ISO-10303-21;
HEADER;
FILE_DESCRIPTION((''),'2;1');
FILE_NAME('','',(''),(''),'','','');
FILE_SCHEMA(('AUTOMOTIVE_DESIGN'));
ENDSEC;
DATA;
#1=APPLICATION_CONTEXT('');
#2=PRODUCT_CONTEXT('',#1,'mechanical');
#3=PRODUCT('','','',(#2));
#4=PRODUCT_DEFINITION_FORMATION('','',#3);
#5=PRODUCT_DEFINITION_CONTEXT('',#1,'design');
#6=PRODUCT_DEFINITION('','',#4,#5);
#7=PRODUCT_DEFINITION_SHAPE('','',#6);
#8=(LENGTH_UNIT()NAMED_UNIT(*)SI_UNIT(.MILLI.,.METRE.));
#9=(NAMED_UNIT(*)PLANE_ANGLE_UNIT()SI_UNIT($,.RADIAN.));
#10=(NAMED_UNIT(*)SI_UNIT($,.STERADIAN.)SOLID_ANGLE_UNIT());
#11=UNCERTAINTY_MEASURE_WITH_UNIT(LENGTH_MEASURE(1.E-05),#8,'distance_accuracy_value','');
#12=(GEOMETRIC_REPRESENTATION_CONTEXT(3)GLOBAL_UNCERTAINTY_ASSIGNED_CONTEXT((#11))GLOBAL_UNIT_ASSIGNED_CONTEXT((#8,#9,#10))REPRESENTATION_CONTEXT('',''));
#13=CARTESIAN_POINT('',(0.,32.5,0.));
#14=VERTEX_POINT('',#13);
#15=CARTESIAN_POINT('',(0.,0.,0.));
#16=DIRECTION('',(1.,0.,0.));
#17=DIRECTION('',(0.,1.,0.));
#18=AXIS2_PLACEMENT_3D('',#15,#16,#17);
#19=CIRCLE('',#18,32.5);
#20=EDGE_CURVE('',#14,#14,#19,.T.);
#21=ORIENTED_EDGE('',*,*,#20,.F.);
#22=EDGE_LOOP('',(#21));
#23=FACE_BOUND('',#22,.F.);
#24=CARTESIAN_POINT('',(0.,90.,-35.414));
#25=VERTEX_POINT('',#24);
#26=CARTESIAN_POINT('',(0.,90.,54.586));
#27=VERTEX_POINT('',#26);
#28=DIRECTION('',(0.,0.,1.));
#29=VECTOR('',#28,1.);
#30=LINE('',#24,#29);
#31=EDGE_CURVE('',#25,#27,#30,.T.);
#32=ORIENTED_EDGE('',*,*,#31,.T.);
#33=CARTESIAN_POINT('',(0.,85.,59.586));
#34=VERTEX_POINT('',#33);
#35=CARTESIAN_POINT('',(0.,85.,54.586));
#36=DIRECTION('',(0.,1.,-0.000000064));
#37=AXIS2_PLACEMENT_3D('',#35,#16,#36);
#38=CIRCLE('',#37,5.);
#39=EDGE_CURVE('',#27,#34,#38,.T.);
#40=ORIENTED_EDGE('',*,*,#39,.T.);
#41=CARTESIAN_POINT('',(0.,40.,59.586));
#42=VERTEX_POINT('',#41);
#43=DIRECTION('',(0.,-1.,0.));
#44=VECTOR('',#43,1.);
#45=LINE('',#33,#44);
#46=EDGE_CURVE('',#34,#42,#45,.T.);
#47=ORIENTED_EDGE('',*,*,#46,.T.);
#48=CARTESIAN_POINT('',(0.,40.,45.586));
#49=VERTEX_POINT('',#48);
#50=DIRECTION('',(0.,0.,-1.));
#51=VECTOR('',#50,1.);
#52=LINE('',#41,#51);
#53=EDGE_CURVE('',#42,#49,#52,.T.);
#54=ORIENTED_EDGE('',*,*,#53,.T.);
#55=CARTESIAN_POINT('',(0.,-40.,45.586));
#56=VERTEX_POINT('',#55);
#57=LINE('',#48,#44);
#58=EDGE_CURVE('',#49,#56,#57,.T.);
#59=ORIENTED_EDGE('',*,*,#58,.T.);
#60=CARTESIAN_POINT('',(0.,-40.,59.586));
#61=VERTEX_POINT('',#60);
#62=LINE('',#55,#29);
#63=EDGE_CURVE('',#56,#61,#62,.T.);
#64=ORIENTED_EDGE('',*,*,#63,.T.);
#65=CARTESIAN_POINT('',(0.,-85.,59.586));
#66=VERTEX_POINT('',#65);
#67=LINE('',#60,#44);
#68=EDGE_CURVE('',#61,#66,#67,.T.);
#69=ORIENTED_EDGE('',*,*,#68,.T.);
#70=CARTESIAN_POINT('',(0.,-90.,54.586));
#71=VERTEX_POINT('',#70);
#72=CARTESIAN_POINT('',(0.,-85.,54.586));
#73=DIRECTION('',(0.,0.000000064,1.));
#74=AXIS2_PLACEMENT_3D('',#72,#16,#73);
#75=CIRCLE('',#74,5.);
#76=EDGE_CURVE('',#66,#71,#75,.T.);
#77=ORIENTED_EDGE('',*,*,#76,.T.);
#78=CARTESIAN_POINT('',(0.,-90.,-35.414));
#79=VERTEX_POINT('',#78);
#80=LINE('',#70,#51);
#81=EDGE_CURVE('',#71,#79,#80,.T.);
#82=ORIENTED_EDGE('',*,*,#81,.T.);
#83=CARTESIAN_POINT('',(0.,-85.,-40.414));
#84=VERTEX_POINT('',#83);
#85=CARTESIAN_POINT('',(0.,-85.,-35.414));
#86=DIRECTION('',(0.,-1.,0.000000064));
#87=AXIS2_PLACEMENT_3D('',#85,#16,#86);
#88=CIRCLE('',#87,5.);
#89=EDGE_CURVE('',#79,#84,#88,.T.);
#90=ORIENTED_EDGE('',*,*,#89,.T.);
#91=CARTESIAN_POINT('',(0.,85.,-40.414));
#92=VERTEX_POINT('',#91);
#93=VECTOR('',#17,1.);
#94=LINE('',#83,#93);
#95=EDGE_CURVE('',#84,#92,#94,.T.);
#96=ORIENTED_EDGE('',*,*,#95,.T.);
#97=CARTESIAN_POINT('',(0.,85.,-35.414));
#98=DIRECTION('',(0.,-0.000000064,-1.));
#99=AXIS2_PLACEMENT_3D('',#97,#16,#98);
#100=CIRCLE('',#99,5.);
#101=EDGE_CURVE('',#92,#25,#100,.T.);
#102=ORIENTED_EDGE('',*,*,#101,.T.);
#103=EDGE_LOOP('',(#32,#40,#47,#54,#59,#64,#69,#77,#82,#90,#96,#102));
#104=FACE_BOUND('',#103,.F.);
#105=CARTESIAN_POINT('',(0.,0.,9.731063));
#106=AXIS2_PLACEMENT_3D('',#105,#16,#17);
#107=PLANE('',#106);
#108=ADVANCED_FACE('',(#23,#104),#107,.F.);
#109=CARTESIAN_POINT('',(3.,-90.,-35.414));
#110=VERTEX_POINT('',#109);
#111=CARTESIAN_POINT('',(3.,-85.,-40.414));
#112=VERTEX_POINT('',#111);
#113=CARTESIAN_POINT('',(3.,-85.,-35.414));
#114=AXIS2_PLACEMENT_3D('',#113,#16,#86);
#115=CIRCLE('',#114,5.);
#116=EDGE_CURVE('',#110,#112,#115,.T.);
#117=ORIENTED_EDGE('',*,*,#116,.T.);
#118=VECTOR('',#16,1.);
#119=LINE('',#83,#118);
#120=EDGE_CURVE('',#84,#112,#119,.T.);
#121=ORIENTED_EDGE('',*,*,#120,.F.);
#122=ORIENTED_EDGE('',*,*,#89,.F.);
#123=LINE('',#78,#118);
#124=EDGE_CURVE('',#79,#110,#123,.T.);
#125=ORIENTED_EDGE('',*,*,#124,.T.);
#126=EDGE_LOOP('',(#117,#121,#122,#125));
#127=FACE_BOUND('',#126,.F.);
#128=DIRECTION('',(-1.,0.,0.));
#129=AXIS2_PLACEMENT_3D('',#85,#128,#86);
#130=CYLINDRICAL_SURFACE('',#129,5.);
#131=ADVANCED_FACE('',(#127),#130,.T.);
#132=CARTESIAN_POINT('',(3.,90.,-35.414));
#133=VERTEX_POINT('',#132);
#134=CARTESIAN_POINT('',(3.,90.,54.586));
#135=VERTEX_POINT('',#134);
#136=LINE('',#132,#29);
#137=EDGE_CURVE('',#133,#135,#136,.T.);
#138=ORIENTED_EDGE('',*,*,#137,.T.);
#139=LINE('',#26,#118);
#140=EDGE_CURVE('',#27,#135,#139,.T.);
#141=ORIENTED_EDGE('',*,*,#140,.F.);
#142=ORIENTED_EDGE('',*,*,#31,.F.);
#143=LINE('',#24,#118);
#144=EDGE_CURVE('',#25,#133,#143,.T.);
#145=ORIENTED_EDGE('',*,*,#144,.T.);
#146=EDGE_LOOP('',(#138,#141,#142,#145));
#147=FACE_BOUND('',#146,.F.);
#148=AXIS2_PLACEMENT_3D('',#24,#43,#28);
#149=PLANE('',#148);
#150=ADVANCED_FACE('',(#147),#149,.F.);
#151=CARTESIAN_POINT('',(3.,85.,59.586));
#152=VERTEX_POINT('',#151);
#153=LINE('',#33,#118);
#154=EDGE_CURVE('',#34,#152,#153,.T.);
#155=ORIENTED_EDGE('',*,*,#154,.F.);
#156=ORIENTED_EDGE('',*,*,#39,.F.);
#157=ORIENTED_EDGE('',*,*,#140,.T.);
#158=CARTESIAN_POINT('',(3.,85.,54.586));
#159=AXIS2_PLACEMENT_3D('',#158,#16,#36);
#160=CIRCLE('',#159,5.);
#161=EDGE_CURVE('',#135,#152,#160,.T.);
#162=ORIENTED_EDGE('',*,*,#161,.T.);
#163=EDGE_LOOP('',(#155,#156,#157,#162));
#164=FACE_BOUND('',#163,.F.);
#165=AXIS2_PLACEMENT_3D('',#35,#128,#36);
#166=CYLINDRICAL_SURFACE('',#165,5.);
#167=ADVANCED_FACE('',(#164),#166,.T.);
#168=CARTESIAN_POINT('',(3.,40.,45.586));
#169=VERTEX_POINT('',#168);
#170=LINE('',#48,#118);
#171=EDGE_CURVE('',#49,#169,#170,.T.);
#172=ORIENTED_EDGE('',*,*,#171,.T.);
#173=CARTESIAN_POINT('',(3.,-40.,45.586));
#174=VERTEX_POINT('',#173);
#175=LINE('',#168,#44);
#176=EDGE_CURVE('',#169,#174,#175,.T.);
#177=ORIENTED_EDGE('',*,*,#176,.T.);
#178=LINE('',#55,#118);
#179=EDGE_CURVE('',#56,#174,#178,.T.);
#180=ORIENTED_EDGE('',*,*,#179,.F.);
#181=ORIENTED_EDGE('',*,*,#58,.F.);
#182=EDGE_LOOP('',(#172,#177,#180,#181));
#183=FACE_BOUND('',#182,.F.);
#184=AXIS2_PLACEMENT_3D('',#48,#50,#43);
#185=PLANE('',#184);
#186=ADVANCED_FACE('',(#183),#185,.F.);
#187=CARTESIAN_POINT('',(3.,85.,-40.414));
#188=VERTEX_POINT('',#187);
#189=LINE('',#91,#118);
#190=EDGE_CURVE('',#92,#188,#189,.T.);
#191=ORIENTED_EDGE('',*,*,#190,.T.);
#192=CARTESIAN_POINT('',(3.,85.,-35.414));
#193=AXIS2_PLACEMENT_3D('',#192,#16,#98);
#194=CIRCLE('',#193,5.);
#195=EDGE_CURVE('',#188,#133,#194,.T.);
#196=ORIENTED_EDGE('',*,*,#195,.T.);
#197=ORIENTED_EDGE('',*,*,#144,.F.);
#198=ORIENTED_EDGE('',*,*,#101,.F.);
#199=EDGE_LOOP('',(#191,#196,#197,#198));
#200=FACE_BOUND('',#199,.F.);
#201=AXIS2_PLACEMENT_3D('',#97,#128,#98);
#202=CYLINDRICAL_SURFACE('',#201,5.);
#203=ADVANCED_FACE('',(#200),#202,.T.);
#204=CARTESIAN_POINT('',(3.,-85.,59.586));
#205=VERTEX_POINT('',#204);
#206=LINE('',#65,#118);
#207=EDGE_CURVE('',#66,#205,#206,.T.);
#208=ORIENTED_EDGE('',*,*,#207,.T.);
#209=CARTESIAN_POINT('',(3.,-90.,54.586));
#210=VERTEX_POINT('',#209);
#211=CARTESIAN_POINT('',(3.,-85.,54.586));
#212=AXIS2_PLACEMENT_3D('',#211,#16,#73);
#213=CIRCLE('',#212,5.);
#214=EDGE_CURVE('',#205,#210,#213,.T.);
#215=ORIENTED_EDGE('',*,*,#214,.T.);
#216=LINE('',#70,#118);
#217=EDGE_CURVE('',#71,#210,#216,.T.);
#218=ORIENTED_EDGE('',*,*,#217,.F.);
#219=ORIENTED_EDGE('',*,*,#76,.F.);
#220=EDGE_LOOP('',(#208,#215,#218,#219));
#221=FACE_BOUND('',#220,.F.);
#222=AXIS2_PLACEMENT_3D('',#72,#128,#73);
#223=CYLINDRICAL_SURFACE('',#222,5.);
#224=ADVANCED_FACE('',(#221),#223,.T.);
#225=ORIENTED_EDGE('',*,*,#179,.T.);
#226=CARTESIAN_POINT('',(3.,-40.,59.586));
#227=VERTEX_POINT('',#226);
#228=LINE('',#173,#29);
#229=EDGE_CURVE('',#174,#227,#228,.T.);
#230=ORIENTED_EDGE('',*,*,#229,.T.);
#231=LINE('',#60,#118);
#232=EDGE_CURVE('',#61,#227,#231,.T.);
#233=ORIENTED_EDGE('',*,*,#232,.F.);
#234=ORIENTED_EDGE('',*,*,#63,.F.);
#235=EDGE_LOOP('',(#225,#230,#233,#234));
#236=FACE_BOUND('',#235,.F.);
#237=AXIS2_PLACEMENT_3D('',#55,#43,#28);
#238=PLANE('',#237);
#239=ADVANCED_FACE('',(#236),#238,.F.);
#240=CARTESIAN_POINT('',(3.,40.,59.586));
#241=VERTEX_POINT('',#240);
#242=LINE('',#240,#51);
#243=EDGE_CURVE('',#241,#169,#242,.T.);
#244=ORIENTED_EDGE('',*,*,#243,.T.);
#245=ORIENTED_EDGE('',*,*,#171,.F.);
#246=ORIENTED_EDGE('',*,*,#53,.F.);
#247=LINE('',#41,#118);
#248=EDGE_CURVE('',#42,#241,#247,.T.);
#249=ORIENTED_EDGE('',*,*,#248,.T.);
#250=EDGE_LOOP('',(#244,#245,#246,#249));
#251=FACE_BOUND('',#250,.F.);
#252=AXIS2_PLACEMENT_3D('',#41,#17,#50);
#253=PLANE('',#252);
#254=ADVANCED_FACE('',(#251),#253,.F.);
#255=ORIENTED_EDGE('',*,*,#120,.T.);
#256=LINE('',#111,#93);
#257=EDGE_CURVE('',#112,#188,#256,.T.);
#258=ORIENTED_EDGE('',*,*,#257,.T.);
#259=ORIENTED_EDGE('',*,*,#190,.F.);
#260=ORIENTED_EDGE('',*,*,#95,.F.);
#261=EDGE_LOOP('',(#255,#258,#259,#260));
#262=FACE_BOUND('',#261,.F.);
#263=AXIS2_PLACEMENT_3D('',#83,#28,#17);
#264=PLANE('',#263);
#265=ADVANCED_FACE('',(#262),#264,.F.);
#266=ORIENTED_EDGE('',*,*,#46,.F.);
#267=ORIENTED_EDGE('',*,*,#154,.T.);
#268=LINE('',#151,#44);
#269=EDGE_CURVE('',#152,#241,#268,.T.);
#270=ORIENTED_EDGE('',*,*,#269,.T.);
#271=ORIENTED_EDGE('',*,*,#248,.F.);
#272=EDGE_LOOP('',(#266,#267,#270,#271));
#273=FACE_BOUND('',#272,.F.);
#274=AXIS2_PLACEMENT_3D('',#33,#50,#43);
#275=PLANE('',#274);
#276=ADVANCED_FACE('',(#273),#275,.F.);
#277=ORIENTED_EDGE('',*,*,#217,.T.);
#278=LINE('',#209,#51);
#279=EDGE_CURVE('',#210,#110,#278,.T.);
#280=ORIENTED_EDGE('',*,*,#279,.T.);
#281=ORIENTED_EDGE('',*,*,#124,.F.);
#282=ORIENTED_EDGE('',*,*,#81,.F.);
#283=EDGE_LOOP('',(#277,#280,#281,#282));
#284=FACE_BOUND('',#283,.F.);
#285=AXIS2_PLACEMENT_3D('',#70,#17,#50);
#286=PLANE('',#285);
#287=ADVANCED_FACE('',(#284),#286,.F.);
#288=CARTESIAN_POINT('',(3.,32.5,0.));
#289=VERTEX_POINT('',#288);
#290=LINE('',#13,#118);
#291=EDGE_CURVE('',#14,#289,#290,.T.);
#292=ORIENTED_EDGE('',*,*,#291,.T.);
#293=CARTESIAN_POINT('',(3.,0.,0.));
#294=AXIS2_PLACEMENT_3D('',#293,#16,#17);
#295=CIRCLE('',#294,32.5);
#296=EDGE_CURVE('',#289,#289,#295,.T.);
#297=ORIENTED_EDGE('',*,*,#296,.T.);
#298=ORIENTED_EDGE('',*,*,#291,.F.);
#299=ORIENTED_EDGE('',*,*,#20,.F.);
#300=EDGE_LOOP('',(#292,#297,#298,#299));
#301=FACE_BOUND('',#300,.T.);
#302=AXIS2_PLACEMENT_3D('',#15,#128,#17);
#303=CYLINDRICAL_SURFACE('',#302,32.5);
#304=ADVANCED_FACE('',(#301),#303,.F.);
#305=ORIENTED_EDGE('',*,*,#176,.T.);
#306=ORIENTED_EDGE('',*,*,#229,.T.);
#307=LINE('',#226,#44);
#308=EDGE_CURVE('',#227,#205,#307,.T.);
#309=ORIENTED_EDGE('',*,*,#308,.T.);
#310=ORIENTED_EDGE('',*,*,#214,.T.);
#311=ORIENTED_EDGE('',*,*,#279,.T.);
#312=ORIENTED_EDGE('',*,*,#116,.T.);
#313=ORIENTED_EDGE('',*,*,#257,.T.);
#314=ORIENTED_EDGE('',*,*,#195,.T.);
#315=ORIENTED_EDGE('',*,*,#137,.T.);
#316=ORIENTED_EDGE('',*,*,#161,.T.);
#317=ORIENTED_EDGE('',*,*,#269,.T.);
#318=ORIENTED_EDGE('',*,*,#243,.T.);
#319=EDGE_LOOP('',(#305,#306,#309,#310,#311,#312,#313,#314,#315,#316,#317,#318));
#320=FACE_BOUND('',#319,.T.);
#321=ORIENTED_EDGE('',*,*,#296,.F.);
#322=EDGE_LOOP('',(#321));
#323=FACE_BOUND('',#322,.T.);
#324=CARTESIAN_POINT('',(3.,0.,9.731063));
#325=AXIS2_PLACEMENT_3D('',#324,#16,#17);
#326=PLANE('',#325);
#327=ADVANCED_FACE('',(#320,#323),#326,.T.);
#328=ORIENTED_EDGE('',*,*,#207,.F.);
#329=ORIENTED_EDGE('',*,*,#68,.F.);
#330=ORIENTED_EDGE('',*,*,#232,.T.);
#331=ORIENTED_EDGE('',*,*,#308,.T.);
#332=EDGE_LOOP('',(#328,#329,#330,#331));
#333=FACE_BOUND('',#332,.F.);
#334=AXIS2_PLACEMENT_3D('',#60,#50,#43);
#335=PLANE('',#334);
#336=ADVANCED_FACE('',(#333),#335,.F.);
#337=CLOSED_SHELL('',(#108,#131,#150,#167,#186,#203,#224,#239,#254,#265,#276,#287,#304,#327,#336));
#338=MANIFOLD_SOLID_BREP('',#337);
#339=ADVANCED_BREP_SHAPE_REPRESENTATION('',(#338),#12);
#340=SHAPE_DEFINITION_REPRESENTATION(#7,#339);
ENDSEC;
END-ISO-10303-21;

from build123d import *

# Parameters (mm, degrees)
F0_R     = 32.5
F1_DEPTH = 3


with BuildPart() as f1:
    # F0 (on Right) → F1 (new body)
    with BuildSketch(Plane.YZ):
        with BuildLine():
            ThreePointArc((90, 54.586), (88.535534, 58.121534), (85, 59.586))
            Line((85, 59.586), (40, 59.586))
            Line((40, 59.586), (40, 54.586))
            Line((40, 54.586), (40, 45.586))
            Line((40, 45.586), (-40, 45.586))
            Line((-40, 45.586), (-40, 54.586))
            Line((-40, 54.586), (-40, 59.586))
            Line((-40, 59.586), (-85, 59.586))
            ThreePointArc((-85, 59.586), (-88.535534, 58.121534), (-90, 54.586))
            Line((-90, 54.586), (-90, -35.414))
            ThreePointArc((-90, -35.414), (-88.535534, -38.949534), (-85, -40.414))
            Line((-85, -40.414), (85, -40.414))
            ThreePointArc((85, -40.414), (88.535534, -38.949534), (90, -35.414))
            Line((90, -35.414), (90, 54.586))
        make_face()
        Circle(F0_R, mode=Mode.SUBTRACT)
    extrude(amount=F1_DEPTH)


solid = f1.part
